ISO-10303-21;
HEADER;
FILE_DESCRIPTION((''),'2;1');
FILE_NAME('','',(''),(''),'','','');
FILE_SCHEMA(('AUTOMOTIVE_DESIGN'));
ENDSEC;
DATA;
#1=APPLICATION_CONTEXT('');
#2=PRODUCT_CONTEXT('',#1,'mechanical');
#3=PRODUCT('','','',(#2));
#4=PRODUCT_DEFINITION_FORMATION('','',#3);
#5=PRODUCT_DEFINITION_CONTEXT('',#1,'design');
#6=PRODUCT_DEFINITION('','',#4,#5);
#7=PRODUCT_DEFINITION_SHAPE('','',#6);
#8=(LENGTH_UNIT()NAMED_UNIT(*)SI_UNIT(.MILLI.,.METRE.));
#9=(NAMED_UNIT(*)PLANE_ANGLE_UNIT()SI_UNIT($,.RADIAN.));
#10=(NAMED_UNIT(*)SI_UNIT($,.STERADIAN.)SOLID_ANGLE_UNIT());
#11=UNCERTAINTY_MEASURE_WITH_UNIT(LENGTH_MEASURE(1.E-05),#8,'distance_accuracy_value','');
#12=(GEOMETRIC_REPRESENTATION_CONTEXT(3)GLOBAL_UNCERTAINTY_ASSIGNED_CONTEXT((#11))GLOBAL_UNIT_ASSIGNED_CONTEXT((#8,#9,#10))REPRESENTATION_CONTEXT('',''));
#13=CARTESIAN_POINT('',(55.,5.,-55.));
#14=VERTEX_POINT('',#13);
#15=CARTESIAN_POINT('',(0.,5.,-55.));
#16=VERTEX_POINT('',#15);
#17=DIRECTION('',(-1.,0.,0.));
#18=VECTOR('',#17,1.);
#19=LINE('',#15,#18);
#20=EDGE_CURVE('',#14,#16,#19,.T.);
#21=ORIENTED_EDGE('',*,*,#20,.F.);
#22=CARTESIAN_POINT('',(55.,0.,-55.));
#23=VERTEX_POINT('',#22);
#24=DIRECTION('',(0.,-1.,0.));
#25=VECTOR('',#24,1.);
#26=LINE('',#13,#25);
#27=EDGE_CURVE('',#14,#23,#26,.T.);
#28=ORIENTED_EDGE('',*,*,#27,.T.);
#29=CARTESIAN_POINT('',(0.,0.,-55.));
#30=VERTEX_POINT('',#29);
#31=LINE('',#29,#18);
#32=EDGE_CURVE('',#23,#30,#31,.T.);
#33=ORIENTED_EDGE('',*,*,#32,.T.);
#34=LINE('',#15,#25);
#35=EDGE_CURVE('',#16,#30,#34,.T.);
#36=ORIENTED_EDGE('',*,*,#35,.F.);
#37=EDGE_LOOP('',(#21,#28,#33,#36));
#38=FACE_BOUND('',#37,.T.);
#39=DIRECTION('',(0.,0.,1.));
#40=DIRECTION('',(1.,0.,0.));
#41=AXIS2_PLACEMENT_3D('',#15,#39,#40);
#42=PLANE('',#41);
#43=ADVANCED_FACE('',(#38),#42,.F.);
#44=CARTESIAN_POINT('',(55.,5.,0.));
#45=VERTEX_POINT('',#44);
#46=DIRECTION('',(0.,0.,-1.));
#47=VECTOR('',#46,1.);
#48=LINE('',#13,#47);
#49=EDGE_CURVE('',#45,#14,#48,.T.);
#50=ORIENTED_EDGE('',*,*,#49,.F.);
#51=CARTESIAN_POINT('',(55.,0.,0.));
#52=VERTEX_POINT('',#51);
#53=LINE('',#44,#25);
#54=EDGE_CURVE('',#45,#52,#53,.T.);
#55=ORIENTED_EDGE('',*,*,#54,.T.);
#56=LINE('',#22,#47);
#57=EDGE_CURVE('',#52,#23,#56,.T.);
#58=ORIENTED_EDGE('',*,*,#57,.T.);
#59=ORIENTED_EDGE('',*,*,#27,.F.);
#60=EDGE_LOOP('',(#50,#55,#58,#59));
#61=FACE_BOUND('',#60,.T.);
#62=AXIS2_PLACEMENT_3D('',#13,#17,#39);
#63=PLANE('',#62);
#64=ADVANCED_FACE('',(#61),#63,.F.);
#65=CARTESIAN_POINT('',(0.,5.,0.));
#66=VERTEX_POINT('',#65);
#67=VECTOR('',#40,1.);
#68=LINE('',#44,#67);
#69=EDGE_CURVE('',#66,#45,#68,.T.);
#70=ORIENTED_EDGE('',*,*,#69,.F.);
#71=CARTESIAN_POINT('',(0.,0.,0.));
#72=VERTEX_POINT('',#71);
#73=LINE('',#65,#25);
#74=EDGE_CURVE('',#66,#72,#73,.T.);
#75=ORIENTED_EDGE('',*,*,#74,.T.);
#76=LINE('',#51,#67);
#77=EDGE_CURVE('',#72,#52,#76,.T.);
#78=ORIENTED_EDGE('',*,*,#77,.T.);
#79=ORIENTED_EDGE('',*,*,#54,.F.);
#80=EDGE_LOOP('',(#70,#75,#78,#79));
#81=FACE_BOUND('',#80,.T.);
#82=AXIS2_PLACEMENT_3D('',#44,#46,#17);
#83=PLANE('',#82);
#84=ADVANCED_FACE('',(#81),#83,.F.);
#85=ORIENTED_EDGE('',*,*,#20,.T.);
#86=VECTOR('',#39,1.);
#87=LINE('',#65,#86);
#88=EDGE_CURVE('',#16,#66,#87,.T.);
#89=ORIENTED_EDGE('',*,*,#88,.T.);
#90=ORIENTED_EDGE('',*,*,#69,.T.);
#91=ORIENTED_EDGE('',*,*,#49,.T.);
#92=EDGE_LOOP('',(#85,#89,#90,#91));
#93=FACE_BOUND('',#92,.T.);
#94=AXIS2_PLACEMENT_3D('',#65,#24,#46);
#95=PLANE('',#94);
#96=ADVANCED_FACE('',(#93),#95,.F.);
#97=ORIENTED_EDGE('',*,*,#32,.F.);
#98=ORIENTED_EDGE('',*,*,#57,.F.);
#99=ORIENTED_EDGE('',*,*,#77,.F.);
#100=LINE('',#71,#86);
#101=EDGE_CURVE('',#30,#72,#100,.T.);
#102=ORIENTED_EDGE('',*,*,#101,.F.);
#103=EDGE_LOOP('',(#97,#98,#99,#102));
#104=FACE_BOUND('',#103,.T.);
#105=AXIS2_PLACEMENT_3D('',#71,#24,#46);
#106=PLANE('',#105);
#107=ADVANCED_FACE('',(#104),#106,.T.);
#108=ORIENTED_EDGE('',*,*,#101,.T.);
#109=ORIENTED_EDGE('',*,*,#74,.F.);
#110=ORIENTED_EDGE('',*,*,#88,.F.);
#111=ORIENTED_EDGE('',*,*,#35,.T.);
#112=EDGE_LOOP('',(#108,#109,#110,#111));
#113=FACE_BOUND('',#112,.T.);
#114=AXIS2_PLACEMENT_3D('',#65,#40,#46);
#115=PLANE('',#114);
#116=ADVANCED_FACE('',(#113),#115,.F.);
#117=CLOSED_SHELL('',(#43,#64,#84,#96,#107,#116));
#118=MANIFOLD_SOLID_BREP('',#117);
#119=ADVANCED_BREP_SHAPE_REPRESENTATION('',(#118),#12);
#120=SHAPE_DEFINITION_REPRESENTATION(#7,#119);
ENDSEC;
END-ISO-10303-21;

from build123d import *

# Parameters (mm, degrees)
CROQUIS1_W              = 55
CROQUIS1_H              = 55
SALIENTE_EXTRUIR1_DEPTH = 5


with BuildPart() as part:
    # Croquis1 → Saliente-Extruir1 (new body)
    with BuildSketch(Plane(origin=(0, 0, 0), x_dir=(1, 0, 0), z_dir=(0, 1, 0))):
        with Locations((27.5, 27.5)):
            Rectangle(CROQUIS1_W, CROQUIS1_H)
    extrude(amount=SALIENTE_EXTRUIR1_DEPTH)


solid = part.part
